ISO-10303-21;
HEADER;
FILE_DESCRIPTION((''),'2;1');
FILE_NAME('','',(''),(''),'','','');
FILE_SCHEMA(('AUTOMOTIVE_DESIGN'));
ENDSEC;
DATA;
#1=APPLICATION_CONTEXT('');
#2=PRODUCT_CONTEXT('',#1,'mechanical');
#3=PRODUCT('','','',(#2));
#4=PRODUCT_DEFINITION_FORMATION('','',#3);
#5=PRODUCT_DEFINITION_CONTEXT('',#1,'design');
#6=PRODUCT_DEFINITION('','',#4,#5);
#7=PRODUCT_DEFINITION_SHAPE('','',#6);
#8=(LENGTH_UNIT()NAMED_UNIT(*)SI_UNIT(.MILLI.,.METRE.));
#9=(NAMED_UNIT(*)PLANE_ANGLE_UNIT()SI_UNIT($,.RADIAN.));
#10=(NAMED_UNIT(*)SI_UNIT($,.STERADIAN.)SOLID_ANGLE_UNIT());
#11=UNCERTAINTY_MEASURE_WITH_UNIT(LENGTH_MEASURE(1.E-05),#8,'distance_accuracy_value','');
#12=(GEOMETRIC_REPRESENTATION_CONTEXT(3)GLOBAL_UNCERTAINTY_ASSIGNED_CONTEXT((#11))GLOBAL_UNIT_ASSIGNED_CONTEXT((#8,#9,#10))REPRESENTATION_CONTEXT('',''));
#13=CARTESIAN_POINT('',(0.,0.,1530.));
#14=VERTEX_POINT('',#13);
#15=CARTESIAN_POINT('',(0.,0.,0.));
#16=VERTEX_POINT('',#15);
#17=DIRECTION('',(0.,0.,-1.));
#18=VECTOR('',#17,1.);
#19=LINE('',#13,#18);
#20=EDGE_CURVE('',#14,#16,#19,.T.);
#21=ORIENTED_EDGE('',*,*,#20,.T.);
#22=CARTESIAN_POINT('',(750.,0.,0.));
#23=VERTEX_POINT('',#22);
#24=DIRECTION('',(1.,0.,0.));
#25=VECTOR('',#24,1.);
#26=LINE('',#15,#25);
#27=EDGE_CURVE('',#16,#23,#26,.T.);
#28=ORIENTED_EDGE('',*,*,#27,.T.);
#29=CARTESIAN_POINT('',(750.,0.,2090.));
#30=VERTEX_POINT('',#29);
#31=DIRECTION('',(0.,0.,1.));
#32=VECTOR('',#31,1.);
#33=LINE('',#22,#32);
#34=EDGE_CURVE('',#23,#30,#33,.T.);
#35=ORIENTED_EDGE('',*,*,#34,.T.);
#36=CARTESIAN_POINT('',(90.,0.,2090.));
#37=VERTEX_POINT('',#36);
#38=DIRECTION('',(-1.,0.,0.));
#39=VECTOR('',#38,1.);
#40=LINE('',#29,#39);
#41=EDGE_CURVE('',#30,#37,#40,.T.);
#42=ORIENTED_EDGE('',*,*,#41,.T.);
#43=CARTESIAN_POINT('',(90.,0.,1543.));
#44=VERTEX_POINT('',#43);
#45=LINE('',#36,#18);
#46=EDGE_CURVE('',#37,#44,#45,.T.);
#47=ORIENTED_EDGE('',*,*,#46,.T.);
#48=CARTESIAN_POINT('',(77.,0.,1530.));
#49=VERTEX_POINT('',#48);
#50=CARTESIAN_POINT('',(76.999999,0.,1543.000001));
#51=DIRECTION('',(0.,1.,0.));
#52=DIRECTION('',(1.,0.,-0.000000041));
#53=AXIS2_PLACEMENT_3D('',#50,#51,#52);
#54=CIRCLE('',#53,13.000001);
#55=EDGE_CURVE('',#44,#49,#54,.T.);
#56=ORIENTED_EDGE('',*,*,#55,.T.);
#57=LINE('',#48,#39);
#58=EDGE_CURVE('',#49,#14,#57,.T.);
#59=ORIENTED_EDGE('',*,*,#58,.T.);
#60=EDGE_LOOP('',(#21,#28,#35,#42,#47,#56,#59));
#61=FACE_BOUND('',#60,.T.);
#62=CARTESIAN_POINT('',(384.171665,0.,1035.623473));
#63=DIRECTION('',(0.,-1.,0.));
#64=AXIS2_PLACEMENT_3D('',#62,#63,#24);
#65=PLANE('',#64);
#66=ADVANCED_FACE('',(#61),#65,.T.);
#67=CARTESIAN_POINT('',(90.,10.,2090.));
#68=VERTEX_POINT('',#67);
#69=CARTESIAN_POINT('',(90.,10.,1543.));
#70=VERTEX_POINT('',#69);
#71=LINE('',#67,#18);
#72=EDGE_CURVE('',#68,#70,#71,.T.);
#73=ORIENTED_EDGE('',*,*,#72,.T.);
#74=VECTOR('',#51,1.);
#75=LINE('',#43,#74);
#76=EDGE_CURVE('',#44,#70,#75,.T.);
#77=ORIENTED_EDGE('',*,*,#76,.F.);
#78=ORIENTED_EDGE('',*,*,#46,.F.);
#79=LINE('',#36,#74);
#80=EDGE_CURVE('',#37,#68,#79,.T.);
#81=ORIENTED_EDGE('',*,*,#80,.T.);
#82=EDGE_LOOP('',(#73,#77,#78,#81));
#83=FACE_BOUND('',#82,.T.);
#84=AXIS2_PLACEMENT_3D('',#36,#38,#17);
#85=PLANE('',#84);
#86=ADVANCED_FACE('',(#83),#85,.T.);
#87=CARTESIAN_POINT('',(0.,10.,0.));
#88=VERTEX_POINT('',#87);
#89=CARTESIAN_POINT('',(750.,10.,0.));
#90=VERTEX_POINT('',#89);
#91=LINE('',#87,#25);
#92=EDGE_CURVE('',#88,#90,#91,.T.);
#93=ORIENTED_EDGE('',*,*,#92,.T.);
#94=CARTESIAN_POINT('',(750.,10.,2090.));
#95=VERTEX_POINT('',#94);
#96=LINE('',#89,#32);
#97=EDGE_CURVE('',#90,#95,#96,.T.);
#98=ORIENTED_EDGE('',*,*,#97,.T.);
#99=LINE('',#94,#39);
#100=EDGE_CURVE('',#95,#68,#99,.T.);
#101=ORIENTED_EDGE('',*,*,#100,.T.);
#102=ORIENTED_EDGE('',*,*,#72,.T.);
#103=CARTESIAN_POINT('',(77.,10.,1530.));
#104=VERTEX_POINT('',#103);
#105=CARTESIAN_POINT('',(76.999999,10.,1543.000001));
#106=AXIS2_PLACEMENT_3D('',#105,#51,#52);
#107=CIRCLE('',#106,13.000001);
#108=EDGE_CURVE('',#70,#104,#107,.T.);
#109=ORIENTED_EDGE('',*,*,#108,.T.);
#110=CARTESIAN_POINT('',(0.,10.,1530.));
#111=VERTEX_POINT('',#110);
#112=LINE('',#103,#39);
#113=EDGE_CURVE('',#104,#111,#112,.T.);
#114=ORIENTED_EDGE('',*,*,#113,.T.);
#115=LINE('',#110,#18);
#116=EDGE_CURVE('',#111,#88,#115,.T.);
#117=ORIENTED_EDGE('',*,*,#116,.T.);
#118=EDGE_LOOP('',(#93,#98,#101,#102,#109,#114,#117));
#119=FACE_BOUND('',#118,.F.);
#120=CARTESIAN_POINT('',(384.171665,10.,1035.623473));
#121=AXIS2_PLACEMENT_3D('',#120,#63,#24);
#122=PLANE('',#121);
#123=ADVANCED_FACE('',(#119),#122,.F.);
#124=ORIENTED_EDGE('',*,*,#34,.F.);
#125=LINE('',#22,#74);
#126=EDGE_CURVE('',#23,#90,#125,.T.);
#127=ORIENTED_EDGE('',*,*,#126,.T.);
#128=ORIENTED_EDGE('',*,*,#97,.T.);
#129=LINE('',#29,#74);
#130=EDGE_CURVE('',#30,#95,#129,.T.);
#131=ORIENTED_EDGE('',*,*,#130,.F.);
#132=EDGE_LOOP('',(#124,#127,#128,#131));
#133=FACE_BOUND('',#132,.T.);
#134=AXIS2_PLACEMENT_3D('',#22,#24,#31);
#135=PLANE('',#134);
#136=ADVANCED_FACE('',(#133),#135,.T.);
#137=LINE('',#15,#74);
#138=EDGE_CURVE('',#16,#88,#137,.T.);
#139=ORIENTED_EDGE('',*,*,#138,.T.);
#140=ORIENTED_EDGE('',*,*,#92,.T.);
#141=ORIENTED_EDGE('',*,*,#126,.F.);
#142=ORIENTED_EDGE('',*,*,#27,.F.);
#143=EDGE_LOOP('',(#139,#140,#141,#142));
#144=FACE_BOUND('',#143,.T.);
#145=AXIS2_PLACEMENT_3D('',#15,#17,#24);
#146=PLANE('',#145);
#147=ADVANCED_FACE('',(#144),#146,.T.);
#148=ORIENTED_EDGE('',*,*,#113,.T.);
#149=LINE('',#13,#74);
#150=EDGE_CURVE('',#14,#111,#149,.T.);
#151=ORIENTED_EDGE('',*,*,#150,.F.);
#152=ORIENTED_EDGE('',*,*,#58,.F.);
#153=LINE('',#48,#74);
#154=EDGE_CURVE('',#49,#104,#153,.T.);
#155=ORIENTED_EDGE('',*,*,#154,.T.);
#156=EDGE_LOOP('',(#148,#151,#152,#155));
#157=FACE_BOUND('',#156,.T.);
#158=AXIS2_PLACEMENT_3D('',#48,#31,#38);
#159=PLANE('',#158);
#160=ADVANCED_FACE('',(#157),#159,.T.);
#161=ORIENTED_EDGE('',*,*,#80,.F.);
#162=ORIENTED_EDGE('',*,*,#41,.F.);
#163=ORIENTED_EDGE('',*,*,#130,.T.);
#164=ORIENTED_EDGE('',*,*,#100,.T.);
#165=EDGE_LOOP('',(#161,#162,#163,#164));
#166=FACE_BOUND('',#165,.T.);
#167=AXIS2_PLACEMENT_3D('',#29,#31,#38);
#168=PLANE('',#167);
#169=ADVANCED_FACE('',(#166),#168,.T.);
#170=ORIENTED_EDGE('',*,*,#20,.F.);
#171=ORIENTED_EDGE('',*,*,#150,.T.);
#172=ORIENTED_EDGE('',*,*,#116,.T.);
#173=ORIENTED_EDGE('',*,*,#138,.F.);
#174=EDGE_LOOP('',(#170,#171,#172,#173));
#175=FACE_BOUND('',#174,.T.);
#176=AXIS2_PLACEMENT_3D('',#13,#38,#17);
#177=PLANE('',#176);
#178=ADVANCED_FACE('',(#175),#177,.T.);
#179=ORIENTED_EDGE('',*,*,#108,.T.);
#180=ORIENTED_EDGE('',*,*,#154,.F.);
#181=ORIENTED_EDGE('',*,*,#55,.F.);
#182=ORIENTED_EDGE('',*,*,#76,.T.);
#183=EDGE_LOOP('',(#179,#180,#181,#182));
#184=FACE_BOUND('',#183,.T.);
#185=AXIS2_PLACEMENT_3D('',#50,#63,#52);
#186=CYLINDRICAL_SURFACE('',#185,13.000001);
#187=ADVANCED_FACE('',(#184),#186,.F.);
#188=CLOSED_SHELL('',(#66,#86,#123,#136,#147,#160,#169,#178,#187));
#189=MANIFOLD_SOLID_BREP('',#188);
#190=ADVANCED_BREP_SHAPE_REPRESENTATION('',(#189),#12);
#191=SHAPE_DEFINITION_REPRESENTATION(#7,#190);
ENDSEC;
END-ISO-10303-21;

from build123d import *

# Parameters (mm, degrees)
F1_DEPTH = 10


with BuildPart() as f1:
    # F0 (on Front) → F1 (new body)
    with BuildSketch(Plane.XZ):
        with BuildLine():
            Line((0, 1530), (0, 0))
            Line((0, 0), (750, 0))
            Line((750, 0), (750, 2090))
            Line((750, 2090), (90, 2090))
            Line((90, 2090), (90, 1543))
            ThreePointArc((90, 1543), (86.192388, 1533.807612), (77, 1530))
            Line((77, 1530), (0, 1530))
        make_face()
    extrude(amount=-F1_DEPTH)


solid = f1.part
